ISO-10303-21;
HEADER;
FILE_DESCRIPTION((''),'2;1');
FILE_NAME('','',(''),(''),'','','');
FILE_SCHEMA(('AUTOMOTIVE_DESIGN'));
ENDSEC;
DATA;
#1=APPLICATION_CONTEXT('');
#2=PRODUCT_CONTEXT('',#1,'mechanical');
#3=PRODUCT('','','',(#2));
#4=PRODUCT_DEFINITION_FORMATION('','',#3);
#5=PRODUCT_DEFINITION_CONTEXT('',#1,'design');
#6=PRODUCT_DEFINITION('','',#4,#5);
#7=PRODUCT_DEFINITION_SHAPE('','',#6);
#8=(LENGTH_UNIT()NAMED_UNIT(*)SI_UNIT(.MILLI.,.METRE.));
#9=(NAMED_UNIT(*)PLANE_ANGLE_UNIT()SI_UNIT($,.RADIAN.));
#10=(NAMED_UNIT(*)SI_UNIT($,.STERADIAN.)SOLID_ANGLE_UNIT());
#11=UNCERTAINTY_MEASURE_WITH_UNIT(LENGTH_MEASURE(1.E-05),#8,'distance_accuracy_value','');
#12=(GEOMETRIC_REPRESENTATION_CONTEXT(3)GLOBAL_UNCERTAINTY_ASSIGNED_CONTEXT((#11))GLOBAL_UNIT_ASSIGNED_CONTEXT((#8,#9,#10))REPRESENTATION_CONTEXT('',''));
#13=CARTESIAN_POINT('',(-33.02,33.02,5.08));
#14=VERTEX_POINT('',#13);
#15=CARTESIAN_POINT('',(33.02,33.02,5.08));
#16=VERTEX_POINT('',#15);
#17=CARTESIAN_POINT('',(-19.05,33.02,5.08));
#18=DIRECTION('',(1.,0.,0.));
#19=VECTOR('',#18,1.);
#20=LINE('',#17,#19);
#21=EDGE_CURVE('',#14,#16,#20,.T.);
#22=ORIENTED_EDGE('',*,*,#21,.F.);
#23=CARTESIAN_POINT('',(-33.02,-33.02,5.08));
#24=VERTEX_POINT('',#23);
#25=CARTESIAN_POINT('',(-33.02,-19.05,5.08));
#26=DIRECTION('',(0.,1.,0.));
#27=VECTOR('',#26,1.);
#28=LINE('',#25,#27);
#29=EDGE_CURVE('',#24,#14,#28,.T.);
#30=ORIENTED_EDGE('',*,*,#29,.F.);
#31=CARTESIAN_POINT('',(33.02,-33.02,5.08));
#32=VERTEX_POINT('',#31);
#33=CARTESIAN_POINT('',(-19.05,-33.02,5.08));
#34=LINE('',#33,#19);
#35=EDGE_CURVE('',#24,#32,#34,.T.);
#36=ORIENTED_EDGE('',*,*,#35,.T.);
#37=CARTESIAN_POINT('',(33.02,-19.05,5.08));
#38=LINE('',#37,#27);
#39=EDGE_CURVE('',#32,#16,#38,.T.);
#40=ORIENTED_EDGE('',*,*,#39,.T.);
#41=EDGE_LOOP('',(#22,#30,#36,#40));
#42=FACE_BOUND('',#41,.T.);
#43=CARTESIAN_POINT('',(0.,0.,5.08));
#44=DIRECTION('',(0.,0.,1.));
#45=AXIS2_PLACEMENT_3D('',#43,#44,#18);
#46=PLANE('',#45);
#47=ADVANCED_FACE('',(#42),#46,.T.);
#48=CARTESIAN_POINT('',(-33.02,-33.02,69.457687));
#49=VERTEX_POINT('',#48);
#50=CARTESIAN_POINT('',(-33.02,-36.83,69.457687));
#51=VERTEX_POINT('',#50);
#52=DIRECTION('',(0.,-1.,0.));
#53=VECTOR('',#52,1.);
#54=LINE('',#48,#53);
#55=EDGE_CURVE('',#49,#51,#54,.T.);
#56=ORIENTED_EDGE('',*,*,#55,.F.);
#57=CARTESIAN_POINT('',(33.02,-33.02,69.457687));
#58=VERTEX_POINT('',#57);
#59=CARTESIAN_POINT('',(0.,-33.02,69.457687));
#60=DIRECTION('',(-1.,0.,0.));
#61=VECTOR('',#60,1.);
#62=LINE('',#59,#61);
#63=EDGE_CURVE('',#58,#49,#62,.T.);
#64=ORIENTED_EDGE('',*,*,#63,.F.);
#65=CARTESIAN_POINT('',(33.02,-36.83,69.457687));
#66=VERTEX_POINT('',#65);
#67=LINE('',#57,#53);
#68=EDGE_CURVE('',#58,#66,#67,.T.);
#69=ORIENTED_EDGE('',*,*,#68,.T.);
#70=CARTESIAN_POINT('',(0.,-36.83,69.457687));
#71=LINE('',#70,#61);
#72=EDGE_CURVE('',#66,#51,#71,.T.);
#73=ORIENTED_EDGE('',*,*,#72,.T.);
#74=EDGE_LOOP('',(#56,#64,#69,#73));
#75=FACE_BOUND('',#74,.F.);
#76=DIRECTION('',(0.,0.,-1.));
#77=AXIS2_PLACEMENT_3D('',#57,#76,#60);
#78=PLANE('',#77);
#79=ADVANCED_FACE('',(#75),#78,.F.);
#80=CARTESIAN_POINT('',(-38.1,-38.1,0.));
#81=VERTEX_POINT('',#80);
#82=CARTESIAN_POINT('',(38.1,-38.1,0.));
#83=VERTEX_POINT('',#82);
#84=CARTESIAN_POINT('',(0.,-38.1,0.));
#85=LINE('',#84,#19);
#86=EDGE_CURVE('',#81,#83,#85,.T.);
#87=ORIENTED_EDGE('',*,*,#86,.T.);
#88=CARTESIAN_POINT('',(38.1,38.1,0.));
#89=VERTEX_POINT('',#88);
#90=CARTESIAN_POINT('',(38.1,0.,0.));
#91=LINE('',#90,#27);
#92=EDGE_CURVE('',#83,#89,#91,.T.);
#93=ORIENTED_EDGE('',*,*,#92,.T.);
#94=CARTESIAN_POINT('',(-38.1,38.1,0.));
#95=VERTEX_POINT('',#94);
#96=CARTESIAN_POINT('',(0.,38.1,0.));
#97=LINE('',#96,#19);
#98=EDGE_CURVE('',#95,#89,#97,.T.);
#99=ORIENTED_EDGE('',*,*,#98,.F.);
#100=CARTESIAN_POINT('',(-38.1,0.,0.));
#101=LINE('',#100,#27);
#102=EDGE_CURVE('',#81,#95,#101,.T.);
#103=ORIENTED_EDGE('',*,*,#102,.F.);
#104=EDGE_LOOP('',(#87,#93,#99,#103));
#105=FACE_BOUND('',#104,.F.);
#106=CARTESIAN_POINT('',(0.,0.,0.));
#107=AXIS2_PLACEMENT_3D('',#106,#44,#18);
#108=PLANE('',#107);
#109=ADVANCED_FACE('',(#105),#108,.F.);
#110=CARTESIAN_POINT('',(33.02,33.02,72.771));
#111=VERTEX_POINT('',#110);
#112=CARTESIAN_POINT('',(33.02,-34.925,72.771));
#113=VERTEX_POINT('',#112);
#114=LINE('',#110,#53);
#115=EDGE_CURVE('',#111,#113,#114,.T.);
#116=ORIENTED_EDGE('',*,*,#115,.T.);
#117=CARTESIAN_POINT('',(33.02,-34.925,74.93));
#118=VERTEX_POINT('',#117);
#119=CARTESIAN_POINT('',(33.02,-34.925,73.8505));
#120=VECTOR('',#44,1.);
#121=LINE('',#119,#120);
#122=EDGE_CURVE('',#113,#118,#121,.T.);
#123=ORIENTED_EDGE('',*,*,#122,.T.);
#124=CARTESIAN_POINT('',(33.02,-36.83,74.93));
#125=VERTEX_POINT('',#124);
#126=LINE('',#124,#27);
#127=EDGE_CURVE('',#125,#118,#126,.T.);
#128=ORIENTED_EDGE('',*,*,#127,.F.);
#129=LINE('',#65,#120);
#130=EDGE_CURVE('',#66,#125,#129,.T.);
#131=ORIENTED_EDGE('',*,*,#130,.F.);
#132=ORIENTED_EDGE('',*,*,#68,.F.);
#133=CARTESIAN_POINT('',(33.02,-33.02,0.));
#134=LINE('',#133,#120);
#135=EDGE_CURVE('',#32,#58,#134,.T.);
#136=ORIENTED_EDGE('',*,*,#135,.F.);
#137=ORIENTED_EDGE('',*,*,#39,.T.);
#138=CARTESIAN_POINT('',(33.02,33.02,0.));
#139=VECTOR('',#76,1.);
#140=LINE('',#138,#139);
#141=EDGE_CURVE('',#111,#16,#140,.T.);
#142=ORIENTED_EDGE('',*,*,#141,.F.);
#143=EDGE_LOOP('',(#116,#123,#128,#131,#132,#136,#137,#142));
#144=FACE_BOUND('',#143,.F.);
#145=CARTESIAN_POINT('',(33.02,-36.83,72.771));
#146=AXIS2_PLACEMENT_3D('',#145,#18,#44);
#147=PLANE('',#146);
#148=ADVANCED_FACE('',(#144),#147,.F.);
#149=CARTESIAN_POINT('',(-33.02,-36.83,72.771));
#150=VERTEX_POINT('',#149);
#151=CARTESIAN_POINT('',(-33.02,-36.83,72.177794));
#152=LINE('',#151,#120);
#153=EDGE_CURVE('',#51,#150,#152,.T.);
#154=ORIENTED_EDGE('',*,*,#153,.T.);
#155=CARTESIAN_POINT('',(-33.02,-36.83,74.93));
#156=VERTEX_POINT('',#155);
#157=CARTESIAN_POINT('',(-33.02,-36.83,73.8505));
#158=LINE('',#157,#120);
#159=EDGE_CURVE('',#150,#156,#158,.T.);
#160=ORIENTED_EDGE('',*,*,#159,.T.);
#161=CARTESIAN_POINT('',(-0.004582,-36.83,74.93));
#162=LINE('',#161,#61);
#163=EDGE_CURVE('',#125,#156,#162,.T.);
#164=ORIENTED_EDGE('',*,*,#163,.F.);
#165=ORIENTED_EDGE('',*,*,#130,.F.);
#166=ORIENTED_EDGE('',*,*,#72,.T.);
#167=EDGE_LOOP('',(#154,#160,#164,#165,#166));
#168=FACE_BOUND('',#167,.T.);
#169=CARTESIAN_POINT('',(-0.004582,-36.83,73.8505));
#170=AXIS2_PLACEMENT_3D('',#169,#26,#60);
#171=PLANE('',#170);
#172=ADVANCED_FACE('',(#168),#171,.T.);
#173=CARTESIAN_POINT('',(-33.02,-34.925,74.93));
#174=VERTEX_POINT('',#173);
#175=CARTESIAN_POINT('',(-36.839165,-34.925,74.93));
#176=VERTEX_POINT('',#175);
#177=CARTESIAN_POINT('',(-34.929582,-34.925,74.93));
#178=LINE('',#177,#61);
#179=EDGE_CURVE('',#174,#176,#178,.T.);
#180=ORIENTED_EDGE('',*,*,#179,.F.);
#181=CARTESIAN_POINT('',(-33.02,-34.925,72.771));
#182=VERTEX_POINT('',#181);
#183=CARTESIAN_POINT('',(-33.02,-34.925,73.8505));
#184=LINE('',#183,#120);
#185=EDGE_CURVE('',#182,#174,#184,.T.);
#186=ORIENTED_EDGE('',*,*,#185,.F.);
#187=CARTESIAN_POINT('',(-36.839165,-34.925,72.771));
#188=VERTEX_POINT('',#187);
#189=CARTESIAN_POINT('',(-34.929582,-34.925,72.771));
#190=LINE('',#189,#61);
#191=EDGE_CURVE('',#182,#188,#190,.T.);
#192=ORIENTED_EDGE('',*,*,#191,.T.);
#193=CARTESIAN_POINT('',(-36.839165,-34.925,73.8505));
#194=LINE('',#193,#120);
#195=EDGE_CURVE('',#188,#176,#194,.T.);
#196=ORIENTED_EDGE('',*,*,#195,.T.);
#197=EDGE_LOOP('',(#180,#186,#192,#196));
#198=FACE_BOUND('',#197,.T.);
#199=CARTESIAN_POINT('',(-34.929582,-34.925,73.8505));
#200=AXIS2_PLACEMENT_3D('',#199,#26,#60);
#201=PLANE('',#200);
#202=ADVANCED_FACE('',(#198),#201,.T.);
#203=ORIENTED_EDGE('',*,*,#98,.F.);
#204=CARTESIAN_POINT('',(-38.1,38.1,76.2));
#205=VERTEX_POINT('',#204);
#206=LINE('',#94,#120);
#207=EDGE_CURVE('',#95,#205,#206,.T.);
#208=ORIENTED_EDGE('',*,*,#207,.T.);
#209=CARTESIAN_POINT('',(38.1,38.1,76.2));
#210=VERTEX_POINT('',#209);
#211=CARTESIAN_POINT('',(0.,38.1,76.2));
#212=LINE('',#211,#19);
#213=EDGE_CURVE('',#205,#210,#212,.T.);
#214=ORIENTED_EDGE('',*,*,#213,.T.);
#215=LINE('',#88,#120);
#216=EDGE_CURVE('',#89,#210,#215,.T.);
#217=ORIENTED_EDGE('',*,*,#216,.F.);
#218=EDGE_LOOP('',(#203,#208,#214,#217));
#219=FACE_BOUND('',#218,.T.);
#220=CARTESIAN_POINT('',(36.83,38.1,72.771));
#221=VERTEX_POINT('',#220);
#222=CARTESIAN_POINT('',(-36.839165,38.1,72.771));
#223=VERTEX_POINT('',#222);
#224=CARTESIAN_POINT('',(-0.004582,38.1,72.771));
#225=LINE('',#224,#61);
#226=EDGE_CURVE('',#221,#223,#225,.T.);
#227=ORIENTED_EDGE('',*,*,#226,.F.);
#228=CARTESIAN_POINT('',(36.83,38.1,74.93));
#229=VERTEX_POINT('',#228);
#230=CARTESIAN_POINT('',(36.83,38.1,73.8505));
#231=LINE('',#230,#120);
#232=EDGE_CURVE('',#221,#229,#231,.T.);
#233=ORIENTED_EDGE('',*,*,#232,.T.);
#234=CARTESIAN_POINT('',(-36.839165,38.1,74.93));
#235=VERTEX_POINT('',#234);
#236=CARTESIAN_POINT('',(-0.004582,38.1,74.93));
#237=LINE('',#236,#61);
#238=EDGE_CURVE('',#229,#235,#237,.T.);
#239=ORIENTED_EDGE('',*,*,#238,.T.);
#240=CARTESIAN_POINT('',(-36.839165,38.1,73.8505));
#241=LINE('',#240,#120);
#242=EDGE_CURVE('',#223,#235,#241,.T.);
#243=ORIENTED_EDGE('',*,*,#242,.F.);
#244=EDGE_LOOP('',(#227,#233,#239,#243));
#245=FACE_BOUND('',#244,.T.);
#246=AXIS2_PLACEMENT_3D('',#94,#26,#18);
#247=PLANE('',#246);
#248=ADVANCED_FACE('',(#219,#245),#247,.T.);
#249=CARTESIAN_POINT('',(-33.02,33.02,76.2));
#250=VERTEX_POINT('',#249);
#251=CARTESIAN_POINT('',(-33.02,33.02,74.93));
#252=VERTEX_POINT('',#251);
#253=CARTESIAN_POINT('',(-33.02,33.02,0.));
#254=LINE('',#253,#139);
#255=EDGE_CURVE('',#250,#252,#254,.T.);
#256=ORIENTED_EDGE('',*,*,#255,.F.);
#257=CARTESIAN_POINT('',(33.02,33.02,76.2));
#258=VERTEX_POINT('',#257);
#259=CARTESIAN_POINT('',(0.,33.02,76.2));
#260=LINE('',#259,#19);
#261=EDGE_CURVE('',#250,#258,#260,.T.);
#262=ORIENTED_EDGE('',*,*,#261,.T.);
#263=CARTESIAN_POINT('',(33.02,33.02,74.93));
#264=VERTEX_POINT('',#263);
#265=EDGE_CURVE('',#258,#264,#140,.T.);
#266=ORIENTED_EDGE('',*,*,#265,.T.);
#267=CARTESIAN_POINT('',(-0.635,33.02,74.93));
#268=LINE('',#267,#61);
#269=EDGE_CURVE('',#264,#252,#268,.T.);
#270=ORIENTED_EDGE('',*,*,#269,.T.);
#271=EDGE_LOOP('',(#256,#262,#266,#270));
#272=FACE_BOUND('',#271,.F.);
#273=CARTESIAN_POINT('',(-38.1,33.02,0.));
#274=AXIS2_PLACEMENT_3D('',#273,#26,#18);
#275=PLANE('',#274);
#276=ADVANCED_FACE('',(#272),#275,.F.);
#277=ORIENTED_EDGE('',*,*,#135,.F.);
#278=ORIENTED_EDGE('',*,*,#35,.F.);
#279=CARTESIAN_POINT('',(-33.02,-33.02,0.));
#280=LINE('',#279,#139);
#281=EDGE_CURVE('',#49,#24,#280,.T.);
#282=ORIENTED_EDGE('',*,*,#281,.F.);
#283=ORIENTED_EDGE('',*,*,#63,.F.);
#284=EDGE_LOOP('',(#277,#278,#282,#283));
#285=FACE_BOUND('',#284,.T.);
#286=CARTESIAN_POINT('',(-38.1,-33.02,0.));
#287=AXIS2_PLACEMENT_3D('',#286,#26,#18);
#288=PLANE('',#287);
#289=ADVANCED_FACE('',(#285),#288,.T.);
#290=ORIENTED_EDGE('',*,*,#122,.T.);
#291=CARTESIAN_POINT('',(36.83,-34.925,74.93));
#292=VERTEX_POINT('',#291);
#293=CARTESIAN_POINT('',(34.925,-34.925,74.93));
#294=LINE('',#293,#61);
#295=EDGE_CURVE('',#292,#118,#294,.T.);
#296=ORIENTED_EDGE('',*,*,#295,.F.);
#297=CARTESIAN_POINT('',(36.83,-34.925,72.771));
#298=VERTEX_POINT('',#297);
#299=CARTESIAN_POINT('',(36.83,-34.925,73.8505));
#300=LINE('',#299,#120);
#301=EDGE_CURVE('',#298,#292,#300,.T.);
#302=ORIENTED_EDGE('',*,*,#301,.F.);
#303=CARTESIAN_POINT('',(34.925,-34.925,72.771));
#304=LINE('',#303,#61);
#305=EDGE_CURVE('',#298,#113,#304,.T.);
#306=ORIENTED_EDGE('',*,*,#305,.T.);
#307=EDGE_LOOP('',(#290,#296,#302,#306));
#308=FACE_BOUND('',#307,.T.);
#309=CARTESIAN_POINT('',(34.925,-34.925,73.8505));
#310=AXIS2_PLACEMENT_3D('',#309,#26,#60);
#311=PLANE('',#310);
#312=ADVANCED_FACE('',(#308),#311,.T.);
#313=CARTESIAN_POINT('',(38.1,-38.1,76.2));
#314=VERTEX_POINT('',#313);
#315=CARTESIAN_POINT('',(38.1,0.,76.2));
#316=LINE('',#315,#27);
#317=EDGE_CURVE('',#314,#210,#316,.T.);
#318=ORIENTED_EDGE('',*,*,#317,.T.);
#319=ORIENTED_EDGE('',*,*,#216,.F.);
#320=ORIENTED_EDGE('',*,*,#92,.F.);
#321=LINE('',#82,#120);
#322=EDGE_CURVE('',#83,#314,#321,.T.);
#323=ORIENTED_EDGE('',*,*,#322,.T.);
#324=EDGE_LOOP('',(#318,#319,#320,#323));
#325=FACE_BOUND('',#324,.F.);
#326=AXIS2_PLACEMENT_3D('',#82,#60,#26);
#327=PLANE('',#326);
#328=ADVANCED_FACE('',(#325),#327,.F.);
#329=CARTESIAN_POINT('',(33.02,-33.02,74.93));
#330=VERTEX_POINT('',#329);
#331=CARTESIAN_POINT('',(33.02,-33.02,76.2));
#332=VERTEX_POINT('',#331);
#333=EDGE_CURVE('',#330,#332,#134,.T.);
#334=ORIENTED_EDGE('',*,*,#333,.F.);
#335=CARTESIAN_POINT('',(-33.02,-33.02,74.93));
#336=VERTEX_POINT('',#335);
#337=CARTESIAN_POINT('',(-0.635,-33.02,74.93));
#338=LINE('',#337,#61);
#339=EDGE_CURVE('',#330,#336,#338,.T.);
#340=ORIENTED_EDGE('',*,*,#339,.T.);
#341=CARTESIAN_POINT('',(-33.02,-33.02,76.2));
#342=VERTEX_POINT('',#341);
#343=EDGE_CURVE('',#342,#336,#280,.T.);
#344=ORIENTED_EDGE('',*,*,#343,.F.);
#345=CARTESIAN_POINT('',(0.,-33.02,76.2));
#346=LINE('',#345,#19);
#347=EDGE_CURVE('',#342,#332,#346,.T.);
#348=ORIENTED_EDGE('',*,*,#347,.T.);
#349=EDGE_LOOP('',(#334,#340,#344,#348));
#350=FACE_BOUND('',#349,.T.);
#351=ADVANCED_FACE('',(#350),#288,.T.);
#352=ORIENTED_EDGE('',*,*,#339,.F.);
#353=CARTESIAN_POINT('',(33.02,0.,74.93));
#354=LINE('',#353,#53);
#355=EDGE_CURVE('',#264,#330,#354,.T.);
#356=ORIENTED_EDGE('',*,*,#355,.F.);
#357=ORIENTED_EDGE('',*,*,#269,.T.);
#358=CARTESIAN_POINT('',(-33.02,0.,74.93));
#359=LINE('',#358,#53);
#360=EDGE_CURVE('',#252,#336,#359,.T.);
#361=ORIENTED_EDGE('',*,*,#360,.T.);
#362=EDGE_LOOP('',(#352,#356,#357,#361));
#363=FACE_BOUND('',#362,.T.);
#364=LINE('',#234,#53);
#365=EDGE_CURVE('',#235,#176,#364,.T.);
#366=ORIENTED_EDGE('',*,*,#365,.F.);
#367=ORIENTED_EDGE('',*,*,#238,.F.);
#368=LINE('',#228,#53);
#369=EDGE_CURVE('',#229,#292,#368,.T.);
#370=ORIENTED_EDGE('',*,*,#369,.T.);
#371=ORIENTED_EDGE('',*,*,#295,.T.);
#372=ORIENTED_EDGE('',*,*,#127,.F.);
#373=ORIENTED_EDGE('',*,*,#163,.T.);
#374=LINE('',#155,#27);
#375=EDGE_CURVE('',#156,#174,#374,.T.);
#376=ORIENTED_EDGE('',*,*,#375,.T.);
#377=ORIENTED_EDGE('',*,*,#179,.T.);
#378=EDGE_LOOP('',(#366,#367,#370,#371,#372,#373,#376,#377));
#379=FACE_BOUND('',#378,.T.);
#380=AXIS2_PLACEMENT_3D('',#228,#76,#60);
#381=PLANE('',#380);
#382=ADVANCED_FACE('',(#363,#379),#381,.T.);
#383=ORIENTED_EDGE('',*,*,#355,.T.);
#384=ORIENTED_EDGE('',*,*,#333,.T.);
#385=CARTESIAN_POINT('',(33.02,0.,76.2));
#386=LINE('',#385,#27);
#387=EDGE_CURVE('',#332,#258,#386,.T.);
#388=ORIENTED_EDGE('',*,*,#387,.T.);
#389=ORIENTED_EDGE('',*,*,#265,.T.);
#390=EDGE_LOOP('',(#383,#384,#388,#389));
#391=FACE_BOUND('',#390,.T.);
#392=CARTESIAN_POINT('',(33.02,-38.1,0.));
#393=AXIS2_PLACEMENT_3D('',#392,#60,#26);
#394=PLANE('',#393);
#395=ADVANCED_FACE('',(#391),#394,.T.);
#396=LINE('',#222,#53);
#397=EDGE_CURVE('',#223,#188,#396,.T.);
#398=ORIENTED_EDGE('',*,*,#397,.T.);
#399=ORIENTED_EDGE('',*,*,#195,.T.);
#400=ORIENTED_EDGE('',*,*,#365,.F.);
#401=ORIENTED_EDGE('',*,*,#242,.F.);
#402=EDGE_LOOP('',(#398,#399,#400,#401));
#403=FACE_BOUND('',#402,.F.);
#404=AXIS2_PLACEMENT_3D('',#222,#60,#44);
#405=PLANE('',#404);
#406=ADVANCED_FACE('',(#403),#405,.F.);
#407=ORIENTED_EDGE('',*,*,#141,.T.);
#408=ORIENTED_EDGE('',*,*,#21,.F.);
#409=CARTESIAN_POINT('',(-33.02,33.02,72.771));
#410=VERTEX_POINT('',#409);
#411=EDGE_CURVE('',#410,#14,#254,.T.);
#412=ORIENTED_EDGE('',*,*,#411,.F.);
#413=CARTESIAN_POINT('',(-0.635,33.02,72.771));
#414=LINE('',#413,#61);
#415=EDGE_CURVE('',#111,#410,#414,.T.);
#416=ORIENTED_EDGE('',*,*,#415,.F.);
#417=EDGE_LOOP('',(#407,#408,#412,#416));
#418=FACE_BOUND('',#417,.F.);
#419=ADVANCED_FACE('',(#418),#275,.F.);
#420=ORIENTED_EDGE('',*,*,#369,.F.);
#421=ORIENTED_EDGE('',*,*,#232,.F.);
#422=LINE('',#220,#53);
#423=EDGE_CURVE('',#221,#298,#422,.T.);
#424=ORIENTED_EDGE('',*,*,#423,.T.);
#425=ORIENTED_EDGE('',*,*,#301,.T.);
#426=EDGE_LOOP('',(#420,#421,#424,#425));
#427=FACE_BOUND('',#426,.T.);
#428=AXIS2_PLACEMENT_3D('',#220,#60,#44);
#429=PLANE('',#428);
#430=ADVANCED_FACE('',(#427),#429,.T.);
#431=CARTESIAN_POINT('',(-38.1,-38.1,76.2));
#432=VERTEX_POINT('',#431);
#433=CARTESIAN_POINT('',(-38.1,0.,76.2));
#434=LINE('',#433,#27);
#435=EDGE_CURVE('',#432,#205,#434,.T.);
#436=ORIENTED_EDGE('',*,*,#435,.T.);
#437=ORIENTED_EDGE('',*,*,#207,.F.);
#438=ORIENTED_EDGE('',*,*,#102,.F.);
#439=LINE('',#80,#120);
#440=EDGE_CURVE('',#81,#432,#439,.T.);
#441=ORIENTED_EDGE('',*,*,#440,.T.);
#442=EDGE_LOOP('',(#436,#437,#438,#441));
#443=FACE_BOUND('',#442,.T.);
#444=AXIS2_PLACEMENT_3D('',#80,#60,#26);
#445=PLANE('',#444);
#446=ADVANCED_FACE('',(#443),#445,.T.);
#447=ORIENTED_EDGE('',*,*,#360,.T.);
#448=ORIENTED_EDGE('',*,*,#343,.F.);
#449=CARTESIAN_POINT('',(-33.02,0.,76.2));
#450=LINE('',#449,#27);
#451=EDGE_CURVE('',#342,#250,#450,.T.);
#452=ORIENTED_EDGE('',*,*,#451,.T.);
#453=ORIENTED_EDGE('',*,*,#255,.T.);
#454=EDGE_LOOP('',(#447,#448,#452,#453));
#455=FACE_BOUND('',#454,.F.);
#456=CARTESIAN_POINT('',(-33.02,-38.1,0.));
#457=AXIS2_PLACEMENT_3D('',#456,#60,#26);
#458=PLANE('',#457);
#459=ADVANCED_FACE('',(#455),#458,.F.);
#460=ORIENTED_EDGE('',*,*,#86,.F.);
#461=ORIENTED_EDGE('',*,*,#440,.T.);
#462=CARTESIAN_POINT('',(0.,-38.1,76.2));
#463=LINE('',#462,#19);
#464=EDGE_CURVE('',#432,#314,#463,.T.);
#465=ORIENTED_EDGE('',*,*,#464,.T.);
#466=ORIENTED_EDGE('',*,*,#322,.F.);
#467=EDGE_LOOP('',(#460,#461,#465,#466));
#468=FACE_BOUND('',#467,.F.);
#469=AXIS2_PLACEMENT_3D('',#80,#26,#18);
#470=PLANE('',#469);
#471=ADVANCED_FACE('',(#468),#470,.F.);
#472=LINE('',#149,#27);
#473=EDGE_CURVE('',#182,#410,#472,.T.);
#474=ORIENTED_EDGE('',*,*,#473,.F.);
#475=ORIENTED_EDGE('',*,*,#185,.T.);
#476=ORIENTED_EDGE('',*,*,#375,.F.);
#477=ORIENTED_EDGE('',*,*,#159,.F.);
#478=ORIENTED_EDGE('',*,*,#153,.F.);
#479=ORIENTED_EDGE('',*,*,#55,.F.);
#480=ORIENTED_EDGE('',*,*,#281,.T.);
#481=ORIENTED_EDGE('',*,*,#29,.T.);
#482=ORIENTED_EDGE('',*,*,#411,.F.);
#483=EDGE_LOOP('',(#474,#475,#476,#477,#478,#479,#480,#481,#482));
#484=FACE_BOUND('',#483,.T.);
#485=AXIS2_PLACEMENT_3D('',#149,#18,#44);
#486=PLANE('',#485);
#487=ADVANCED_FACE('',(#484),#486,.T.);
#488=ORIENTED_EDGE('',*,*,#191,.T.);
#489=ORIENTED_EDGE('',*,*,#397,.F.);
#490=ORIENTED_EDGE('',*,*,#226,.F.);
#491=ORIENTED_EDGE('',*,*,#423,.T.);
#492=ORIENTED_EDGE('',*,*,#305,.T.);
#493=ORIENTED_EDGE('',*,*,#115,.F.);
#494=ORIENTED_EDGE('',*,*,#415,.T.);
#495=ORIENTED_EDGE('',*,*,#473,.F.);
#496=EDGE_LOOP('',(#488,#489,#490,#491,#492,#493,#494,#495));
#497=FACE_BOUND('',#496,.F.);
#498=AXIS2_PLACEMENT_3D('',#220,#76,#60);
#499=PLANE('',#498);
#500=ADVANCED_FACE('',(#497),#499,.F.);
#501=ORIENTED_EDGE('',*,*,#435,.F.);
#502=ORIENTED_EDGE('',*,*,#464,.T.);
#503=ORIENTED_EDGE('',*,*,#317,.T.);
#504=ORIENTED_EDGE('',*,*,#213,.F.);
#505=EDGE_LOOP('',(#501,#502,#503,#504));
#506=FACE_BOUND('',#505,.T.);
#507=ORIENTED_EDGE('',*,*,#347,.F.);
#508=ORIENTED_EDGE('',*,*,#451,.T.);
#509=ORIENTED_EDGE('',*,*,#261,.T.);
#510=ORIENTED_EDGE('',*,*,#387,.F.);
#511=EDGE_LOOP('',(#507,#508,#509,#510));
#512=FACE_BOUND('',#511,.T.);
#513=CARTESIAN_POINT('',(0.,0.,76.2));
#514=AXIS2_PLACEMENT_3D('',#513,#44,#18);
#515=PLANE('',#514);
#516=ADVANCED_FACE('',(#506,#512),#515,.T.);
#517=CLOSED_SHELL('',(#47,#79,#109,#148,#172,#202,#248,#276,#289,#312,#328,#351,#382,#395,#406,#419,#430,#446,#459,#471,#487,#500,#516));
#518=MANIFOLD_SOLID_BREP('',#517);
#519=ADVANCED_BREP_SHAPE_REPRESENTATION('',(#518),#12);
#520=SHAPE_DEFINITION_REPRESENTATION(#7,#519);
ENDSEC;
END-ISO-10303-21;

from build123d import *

# Parameters (mm, degrees)
F0_W     = 76.2
F0_H     = 76.2
F1_DEPTH = 76.2
F2_T     = -5.08
F3_W     = 73.6691647935
F3_H     = 2.159
F4_DEPTH = 74.93
F5_W     = 66.04
F5_H     = 5.4402127862
F6_DEPTH = 3.81
F7_W     = 3.81
F7_H     = 2.159
F7_W_2   = 3.8191647935
F8_DEPTH = 1.905


with BuildPart() as f1:
    # F0 (on Top) → F1 (new body)
    with BuildSketch(Plane.XY):
        Rectangle(F0_W, F0_H)
    extrude(amount=F1_DEPTH)

    # F2
    f2_openings = [f1.faces().sort_by_distance(p)[0] for p in [
        (0, 0, 76.2),
    ]]
    offset(amount=F2_T, openings=f2_openings)

    # F3 (on face) → F4 (cut)
    with BuildSketch(Plane(origin=(0, 38.1, 0), x_dir=(-1, 0, 0), z_dir=(0, 1, 0))):
        with Locations((0.0045823967, 73.8505)):
            Rectangle(F3_W, F3_H)
    extrude(amount=-F4_DEPTH, mode=Mode.SUBTRACT)

    # F5 (on face) → F6 (cut)
    with BuildSketch(Plane(origin=(0, -33.02, 0), x_dir=(-1, 0, 0), z_dir=(0, 1, 0))):
        with Locations((0, 72.1777938306)):
            Rectangle(F5_W, F5_H)
    extrude(amount=-F6_DEPTH, mode=Mode.SUBTRACT)

    # F7 (on face) → F8 (join)
    with BuildSketch(Plane(origin=(0, -36.83, 0), x_dir=(-1, 0, 0), z_dir=(0, 1, 0))):
        with Locations((-34.925, 73.8505)):
            Rectangle(F7_W, F7_H)
        with Locations((34.9295823967, 73.8505)):
            Rectangle(F7_W_2, F7_H)
    extrude(amount=F8_DEPTH)


solid = f1.part
